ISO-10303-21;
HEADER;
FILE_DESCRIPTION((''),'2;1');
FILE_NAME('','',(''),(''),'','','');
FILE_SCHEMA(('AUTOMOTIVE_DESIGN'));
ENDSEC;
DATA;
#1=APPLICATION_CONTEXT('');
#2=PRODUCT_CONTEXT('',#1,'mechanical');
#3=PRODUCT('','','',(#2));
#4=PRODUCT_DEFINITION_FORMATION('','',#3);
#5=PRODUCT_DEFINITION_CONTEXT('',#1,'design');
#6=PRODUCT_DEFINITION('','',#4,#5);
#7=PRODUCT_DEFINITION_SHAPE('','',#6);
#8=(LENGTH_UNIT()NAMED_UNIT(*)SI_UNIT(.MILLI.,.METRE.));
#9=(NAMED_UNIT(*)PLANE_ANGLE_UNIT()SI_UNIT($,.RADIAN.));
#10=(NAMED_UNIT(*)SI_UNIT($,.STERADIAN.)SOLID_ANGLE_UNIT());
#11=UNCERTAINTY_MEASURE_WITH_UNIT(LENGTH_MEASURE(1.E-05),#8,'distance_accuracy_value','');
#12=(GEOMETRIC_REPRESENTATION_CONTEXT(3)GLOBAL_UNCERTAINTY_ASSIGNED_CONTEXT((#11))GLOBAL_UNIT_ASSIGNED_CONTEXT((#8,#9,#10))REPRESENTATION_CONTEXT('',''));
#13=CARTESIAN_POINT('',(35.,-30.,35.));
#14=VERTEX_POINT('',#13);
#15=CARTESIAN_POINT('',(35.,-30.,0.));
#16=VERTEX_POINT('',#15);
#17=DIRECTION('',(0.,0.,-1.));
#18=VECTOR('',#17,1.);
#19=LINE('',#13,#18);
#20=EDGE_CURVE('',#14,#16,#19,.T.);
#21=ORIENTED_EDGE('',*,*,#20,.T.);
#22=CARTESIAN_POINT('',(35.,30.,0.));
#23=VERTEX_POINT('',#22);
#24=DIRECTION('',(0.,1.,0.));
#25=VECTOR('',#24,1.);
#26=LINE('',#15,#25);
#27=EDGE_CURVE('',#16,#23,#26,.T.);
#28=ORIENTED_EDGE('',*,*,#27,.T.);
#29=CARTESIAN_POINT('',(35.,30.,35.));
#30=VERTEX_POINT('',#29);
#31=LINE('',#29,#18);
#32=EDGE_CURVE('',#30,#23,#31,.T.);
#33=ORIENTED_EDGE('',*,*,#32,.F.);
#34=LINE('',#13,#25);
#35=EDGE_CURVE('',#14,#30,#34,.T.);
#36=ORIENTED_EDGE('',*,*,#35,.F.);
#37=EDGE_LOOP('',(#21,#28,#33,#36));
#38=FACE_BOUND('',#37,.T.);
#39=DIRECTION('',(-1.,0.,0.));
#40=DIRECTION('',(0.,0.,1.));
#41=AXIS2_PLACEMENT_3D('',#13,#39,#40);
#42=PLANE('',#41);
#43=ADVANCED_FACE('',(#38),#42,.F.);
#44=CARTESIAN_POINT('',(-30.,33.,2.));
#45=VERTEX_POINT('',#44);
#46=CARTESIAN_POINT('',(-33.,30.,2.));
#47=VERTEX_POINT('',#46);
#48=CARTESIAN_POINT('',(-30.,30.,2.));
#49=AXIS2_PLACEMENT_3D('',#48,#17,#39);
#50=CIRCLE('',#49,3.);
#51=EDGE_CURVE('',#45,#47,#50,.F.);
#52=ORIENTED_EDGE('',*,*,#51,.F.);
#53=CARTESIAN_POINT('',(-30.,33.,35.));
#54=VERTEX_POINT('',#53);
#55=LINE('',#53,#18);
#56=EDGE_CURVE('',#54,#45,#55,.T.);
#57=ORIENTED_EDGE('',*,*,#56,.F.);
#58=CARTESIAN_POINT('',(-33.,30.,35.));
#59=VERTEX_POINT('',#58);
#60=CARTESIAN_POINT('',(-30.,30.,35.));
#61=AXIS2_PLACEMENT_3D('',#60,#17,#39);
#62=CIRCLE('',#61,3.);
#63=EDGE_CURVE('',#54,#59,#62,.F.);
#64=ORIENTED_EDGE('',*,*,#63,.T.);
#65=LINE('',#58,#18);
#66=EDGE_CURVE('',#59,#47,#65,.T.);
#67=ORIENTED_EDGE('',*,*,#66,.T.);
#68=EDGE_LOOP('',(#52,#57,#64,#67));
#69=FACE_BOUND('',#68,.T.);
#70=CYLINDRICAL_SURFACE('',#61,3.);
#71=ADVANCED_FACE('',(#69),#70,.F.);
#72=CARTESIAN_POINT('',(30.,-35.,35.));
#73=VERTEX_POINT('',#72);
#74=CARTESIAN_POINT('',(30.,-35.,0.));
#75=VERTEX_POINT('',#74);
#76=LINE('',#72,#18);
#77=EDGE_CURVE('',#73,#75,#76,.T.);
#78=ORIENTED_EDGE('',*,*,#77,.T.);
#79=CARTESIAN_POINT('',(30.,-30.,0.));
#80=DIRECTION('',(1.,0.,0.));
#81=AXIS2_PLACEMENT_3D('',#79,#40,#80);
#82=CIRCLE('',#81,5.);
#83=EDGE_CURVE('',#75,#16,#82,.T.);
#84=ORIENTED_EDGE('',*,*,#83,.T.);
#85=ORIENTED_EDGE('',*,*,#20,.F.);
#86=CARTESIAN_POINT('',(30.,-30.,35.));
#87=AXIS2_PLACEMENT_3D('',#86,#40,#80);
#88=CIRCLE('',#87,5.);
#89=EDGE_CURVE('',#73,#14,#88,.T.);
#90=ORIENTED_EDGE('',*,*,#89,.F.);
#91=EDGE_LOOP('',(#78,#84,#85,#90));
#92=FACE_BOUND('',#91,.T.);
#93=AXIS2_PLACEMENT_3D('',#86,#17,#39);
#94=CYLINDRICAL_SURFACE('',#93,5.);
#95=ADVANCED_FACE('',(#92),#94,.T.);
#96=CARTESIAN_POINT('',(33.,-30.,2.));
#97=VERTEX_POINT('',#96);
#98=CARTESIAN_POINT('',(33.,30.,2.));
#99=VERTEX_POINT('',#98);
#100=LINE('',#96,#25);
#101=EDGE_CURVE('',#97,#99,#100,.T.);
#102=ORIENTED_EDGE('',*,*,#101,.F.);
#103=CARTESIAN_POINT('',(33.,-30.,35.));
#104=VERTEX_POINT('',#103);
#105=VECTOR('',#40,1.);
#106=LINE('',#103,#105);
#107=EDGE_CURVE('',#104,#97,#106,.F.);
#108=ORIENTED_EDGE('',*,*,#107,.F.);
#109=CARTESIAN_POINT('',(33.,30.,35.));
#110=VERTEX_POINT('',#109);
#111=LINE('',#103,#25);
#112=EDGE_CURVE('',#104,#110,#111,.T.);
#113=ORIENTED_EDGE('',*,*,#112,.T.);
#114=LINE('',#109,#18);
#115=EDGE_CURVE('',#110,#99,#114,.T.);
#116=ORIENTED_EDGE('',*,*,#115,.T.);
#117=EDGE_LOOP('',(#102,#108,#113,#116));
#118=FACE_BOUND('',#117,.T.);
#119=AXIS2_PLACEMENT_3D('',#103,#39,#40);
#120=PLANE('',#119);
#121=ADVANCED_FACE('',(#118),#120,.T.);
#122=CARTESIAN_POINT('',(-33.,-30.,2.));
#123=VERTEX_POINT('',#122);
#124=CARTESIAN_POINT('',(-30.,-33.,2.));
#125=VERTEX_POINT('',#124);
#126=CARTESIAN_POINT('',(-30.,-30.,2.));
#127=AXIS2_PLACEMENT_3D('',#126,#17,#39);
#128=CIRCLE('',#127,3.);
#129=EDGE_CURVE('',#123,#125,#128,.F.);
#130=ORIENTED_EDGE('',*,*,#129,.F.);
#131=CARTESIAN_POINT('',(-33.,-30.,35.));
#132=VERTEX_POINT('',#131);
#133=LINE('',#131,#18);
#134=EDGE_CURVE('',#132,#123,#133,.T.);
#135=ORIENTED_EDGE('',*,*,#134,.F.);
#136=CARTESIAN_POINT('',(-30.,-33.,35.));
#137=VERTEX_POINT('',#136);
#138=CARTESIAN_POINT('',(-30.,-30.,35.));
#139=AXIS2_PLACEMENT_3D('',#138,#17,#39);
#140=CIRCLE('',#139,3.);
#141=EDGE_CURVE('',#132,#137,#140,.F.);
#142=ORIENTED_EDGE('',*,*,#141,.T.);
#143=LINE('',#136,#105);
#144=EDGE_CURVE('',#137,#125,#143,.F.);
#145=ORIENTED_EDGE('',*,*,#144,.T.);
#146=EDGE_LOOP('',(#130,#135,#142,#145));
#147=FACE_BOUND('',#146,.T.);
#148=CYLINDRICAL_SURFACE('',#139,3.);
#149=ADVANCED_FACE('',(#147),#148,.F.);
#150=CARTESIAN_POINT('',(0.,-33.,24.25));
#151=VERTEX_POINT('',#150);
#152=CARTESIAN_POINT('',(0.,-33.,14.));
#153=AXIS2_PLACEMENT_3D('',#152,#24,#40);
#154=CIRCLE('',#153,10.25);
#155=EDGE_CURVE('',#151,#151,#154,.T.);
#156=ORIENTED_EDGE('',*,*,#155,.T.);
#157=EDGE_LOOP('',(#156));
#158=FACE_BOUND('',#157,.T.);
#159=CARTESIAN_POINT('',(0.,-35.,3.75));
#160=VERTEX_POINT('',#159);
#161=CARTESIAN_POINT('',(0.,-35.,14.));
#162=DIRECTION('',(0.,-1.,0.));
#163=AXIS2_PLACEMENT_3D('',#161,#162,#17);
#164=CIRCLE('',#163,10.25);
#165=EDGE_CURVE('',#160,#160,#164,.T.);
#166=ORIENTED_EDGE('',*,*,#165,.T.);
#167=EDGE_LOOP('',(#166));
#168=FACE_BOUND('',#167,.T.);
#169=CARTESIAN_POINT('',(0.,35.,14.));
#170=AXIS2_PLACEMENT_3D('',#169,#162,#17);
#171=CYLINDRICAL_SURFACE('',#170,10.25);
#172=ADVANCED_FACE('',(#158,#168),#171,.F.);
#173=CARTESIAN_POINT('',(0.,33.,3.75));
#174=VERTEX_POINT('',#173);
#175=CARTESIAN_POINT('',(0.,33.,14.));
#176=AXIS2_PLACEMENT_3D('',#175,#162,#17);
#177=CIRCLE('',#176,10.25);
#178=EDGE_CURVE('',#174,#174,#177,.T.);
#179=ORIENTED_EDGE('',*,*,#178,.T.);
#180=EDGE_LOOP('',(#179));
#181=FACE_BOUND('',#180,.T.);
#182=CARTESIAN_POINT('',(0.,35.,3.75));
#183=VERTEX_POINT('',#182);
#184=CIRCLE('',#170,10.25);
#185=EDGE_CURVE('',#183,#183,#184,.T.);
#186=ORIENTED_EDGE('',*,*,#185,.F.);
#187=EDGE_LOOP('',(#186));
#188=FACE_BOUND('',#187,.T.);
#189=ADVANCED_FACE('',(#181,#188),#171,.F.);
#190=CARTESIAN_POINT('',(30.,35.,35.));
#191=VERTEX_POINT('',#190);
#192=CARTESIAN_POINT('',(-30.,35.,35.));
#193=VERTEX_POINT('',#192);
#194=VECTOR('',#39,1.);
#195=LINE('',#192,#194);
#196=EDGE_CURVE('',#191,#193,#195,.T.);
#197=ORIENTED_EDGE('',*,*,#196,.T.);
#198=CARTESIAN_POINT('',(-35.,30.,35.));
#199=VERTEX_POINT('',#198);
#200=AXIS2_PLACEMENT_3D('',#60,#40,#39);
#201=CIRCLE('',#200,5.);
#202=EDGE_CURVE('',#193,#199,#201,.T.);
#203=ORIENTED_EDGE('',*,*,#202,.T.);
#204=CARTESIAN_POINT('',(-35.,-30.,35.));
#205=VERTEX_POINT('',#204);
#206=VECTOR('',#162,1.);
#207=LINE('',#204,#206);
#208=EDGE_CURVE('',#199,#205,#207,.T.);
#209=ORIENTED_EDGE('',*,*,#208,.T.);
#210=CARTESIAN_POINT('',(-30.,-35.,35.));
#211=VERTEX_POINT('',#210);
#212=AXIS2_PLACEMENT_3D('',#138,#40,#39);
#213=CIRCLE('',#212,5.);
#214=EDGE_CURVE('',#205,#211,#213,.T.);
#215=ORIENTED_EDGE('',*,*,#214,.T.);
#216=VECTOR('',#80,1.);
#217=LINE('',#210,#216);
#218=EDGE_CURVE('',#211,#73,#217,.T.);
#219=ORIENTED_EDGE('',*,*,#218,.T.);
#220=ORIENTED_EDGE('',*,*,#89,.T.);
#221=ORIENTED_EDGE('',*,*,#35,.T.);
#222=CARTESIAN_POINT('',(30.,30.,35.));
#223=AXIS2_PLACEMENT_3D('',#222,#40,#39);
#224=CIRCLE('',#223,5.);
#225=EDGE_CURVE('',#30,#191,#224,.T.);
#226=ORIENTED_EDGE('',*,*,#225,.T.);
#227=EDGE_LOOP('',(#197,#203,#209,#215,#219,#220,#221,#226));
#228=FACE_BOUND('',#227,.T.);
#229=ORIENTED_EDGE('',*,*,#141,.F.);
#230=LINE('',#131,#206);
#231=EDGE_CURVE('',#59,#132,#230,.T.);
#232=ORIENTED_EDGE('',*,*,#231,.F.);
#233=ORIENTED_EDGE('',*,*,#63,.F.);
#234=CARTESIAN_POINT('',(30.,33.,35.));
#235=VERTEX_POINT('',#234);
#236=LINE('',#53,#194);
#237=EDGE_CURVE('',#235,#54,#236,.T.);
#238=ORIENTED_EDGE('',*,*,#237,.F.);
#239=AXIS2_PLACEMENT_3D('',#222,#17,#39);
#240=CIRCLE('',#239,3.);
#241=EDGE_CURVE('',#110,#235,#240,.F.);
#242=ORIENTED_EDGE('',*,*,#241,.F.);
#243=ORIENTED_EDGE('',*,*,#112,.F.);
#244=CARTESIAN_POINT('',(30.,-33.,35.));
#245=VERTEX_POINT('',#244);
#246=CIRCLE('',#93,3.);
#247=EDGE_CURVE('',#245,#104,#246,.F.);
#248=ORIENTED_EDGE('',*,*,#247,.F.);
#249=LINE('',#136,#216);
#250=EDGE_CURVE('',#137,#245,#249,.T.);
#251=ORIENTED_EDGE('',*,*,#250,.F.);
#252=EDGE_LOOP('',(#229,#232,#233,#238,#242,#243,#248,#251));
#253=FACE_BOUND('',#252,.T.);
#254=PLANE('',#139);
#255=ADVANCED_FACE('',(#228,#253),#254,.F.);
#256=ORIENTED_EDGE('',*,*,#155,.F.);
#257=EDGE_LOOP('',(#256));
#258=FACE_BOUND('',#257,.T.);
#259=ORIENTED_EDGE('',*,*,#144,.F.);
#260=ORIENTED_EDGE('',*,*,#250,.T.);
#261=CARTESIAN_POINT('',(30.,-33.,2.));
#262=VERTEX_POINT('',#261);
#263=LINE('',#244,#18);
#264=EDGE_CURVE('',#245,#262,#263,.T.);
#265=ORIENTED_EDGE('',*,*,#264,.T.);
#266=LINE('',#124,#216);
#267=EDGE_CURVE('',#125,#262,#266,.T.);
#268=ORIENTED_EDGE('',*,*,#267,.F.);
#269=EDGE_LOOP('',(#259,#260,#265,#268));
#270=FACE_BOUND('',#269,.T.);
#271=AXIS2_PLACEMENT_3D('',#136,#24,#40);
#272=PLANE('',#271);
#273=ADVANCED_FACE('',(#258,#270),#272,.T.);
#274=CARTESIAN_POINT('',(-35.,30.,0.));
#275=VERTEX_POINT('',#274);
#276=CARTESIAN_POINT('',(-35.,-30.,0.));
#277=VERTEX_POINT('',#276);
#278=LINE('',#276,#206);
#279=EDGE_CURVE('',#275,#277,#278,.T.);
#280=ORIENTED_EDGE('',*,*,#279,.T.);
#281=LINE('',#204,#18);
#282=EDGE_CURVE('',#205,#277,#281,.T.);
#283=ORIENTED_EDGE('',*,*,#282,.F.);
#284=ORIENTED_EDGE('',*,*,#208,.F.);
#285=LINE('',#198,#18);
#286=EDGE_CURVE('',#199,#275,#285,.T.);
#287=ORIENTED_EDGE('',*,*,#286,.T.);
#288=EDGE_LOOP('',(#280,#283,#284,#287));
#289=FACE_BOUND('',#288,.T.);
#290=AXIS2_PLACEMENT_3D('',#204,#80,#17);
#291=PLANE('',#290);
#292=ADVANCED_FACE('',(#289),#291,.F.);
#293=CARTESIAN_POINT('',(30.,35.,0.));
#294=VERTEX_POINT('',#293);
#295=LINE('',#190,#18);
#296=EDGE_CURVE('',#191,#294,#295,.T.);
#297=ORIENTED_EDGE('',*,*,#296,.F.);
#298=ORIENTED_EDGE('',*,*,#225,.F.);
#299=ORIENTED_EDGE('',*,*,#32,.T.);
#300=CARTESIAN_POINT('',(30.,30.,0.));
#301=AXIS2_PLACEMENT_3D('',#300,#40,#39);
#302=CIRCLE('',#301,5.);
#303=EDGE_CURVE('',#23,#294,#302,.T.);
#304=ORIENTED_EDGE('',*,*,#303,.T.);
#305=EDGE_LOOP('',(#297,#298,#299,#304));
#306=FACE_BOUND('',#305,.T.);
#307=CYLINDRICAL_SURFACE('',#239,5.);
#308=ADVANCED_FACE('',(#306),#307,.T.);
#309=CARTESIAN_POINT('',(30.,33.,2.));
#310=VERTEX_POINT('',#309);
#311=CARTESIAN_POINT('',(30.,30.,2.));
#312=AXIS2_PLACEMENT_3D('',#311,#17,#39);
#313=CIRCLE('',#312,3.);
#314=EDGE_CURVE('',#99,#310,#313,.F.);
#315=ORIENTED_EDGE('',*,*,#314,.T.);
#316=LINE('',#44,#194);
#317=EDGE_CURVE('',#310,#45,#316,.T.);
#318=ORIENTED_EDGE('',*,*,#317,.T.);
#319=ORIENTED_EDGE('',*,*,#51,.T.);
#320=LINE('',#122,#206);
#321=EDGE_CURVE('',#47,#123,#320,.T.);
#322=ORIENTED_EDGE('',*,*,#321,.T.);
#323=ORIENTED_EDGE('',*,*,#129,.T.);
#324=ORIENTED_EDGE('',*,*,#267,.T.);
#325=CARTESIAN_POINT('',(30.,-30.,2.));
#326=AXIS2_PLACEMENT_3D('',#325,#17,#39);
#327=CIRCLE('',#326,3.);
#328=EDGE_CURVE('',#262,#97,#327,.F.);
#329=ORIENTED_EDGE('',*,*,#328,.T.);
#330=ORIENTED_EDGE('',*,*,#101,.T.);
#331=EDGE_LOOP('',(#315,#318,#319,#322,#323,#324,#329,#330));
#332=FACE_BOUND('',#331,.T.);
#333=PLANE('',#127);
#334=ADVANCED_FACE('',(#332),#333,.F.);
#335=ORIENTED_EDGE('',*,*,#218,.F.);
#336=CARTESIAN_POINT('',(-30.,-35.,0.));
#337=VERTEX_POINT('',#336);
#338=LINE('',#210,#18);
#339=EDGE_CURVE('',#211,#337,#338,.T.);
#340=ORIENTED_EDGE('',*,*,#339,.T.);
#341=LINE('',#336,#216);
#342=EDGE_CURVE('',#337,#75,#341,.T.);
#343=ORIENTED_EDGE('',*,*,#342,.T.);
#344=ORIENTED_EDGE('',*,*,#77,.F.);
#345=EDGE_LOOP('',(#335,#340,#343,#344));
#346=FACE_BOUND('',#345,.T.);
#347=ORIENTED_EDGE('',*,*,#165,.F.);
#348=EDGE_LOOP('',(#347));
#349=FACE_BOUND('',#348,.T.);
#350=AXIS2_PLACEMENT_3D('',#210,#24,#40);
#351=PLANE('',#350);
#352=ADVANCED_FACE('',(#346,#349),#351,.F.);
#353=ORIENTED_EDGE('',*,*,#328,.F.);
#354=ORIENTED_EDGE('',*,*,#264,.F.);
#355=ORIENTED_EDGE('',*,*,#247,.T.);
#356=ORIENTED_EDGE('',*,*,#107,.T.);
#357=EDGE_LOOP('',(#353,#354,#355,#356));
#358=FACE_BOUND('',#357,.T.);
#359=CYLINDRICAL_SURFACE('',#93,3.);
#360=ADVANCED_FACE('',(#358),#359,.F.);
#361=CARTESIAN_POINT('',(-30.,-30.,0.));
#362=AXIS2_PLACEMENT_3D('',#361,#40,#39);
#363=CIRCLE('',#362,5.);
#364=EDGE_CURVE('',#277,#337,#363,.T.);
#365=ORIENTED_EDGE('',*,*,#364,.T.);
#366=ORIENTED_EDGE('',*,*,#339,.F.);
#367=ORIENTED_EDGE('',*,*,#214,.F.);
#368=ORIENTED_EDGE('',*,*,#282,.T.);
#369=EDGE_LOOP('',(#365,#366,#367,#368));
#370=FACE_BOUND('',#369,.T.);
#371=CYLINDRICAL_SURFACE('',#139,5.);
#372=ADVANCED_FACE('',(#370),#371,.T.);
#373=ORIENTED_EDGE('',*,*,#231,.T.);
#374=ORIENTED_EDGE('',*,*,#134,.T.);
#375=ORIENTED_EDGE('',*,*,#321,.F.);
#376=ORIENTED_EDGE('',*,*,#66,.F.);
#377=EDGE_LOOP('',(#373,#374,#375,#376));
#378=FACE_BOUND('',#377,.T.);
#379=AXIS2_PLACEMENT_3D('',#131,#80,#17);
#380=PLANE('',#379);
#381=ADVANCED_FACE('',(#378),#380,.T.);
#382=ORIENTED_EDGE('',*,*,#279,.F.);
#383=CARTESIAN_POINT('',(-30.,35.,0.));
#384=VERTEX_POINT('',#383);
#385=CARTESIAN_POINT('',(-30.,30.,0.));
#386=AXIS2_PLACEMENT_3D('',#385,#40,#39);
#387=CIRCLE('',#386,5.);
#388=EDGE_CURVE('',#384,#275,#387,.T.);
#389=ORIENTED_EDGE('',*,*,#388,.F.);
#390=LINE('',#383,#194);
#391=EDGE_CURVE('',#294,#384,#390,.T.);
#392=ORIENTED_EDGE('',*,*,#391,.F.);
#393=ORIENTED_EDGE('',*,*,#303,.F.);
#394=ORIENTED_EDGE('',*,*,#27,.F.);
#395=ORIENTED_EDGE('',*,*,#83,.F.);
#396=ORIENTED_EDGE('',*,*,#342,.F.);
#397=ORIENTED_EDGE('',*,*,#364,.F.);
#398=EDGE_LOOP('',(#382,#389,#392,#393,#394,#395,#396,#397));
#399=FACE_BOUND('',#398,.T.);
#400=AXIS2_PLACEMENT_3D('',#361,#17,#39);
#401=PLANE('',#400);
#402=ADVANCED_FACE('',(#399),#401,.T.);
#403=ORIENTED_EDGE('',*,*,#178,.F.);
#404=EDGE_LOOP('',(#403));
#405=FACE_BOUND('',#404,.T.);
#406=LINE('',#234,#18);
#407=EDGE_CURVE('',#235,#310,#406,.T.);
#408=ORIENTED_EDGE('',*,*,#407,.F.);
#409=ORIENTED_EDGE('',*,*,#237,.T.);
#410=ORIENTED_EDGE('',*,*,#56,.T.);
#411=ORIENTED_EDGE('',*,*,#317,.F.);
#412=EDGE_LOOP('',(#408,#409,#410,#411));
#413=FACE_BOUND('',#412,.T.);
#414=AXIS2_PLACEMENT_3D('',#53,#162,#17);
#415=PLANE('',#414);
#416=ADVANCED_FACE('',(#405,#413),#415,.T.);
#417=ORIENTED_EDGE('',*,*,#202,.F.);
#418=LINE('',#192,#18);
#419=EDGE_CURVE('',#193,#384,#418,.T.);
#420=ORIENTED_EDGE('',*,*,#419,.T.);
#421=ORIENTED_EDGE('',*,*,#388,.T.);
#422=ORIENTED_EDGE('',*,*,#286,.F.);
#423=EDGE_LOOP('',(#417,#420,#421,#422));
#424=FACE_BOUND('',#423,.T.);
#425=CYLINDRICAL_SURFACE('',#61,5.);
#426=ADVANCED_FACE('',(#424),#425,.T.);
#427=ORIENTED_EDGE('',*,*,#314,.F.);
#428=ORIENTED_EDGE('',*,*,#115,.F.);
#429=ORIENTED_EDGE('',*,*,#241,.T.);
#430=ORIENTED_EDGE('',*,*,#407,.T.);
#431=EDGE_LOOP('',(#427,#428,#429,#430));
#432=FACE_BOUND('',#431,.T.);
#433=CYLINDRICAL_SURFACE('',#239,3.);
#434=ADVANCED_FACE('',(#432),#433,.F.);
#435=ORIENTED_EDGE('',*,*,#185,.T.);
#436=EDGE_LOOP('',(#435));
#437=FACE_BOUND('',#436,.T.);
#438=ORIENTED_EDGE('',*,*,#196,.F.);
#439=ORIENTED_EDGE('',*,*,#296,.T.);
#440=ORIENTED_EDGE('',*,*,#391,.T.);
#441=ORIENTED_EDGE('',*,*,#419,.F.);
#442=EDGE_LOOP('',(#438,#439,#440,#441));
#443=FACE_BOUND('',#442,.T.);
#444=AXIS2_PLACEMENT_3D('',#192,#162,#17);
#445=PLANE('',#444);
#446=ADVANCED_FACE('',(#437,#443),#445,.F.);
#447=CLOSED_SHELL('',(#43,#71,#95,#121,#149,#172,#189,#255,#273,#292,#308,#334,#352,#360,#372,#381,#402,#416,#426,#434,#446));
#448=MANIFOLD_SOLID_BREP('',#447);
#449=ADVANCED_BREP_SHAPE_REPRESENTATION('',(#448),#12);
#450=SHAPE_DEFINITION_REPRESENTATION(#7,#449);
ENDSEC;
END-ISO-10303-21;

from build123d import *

# Parameters (mm, degrees)
AUFSATZ_LINEAR_AUSTRAGEN1_DEPTH = 35
WANDUNG1_T                      = -2
SKIZZE2_R                       = 10.25
SCHNITT_LINEAR_AUSTRAGEN1_DEPTH = 71


with BuildPart() as part:
    # Skizze1 → Aufsatz-Linear austragen1 (new body)
    with BuildSketch(Plane.XY):
        with BuildLine():
            Line((-30, -35), (30, -35))
            ThreePointArc((30, -35), (33.535533906, -33.535533906), (35, -30))
            Line((35, -30), (35, 30))
            ThreePointArc((35, 30), (33.535533906, 33.535533906), (30, 35))
            Line((30, 35), (-30, 35))
            ThreePointArc((-30, 35), (-33.535533906, 33.535533906), (-35, 30))
            Line((-35, 30), (-35, -30))
            ThreePointArc((-35, -30), (-33.535533906, -33.535533906), (-30, -35))
        make_face()
    extrude(amount=AUFSATZ_LINEAR_AUSTRAGEN1_DEPTH)

    # Wandung1
    wandung1_openings = [part.faces().sort_by_distance(p)[0] for p in [
        (0, 0, 35),
    ]]
    offset(amount=WANDUNG1_T, openings=wandung1_openings, kind=Kind.INTERSECTION)

    # Skizze2 → Schnitt-Linear austragen1 (cut, through all)
    with BuildSketch(Plane.XZ.offset(35)):
        with Locations((0, 14)):
            Circle(SKIZZE2_R)
    extrude(amount=-SCHNITT_LINEAR_AUSTRAGEN1_DEPTH, mode=Mode.SUBTRACT)


solid = part.part
